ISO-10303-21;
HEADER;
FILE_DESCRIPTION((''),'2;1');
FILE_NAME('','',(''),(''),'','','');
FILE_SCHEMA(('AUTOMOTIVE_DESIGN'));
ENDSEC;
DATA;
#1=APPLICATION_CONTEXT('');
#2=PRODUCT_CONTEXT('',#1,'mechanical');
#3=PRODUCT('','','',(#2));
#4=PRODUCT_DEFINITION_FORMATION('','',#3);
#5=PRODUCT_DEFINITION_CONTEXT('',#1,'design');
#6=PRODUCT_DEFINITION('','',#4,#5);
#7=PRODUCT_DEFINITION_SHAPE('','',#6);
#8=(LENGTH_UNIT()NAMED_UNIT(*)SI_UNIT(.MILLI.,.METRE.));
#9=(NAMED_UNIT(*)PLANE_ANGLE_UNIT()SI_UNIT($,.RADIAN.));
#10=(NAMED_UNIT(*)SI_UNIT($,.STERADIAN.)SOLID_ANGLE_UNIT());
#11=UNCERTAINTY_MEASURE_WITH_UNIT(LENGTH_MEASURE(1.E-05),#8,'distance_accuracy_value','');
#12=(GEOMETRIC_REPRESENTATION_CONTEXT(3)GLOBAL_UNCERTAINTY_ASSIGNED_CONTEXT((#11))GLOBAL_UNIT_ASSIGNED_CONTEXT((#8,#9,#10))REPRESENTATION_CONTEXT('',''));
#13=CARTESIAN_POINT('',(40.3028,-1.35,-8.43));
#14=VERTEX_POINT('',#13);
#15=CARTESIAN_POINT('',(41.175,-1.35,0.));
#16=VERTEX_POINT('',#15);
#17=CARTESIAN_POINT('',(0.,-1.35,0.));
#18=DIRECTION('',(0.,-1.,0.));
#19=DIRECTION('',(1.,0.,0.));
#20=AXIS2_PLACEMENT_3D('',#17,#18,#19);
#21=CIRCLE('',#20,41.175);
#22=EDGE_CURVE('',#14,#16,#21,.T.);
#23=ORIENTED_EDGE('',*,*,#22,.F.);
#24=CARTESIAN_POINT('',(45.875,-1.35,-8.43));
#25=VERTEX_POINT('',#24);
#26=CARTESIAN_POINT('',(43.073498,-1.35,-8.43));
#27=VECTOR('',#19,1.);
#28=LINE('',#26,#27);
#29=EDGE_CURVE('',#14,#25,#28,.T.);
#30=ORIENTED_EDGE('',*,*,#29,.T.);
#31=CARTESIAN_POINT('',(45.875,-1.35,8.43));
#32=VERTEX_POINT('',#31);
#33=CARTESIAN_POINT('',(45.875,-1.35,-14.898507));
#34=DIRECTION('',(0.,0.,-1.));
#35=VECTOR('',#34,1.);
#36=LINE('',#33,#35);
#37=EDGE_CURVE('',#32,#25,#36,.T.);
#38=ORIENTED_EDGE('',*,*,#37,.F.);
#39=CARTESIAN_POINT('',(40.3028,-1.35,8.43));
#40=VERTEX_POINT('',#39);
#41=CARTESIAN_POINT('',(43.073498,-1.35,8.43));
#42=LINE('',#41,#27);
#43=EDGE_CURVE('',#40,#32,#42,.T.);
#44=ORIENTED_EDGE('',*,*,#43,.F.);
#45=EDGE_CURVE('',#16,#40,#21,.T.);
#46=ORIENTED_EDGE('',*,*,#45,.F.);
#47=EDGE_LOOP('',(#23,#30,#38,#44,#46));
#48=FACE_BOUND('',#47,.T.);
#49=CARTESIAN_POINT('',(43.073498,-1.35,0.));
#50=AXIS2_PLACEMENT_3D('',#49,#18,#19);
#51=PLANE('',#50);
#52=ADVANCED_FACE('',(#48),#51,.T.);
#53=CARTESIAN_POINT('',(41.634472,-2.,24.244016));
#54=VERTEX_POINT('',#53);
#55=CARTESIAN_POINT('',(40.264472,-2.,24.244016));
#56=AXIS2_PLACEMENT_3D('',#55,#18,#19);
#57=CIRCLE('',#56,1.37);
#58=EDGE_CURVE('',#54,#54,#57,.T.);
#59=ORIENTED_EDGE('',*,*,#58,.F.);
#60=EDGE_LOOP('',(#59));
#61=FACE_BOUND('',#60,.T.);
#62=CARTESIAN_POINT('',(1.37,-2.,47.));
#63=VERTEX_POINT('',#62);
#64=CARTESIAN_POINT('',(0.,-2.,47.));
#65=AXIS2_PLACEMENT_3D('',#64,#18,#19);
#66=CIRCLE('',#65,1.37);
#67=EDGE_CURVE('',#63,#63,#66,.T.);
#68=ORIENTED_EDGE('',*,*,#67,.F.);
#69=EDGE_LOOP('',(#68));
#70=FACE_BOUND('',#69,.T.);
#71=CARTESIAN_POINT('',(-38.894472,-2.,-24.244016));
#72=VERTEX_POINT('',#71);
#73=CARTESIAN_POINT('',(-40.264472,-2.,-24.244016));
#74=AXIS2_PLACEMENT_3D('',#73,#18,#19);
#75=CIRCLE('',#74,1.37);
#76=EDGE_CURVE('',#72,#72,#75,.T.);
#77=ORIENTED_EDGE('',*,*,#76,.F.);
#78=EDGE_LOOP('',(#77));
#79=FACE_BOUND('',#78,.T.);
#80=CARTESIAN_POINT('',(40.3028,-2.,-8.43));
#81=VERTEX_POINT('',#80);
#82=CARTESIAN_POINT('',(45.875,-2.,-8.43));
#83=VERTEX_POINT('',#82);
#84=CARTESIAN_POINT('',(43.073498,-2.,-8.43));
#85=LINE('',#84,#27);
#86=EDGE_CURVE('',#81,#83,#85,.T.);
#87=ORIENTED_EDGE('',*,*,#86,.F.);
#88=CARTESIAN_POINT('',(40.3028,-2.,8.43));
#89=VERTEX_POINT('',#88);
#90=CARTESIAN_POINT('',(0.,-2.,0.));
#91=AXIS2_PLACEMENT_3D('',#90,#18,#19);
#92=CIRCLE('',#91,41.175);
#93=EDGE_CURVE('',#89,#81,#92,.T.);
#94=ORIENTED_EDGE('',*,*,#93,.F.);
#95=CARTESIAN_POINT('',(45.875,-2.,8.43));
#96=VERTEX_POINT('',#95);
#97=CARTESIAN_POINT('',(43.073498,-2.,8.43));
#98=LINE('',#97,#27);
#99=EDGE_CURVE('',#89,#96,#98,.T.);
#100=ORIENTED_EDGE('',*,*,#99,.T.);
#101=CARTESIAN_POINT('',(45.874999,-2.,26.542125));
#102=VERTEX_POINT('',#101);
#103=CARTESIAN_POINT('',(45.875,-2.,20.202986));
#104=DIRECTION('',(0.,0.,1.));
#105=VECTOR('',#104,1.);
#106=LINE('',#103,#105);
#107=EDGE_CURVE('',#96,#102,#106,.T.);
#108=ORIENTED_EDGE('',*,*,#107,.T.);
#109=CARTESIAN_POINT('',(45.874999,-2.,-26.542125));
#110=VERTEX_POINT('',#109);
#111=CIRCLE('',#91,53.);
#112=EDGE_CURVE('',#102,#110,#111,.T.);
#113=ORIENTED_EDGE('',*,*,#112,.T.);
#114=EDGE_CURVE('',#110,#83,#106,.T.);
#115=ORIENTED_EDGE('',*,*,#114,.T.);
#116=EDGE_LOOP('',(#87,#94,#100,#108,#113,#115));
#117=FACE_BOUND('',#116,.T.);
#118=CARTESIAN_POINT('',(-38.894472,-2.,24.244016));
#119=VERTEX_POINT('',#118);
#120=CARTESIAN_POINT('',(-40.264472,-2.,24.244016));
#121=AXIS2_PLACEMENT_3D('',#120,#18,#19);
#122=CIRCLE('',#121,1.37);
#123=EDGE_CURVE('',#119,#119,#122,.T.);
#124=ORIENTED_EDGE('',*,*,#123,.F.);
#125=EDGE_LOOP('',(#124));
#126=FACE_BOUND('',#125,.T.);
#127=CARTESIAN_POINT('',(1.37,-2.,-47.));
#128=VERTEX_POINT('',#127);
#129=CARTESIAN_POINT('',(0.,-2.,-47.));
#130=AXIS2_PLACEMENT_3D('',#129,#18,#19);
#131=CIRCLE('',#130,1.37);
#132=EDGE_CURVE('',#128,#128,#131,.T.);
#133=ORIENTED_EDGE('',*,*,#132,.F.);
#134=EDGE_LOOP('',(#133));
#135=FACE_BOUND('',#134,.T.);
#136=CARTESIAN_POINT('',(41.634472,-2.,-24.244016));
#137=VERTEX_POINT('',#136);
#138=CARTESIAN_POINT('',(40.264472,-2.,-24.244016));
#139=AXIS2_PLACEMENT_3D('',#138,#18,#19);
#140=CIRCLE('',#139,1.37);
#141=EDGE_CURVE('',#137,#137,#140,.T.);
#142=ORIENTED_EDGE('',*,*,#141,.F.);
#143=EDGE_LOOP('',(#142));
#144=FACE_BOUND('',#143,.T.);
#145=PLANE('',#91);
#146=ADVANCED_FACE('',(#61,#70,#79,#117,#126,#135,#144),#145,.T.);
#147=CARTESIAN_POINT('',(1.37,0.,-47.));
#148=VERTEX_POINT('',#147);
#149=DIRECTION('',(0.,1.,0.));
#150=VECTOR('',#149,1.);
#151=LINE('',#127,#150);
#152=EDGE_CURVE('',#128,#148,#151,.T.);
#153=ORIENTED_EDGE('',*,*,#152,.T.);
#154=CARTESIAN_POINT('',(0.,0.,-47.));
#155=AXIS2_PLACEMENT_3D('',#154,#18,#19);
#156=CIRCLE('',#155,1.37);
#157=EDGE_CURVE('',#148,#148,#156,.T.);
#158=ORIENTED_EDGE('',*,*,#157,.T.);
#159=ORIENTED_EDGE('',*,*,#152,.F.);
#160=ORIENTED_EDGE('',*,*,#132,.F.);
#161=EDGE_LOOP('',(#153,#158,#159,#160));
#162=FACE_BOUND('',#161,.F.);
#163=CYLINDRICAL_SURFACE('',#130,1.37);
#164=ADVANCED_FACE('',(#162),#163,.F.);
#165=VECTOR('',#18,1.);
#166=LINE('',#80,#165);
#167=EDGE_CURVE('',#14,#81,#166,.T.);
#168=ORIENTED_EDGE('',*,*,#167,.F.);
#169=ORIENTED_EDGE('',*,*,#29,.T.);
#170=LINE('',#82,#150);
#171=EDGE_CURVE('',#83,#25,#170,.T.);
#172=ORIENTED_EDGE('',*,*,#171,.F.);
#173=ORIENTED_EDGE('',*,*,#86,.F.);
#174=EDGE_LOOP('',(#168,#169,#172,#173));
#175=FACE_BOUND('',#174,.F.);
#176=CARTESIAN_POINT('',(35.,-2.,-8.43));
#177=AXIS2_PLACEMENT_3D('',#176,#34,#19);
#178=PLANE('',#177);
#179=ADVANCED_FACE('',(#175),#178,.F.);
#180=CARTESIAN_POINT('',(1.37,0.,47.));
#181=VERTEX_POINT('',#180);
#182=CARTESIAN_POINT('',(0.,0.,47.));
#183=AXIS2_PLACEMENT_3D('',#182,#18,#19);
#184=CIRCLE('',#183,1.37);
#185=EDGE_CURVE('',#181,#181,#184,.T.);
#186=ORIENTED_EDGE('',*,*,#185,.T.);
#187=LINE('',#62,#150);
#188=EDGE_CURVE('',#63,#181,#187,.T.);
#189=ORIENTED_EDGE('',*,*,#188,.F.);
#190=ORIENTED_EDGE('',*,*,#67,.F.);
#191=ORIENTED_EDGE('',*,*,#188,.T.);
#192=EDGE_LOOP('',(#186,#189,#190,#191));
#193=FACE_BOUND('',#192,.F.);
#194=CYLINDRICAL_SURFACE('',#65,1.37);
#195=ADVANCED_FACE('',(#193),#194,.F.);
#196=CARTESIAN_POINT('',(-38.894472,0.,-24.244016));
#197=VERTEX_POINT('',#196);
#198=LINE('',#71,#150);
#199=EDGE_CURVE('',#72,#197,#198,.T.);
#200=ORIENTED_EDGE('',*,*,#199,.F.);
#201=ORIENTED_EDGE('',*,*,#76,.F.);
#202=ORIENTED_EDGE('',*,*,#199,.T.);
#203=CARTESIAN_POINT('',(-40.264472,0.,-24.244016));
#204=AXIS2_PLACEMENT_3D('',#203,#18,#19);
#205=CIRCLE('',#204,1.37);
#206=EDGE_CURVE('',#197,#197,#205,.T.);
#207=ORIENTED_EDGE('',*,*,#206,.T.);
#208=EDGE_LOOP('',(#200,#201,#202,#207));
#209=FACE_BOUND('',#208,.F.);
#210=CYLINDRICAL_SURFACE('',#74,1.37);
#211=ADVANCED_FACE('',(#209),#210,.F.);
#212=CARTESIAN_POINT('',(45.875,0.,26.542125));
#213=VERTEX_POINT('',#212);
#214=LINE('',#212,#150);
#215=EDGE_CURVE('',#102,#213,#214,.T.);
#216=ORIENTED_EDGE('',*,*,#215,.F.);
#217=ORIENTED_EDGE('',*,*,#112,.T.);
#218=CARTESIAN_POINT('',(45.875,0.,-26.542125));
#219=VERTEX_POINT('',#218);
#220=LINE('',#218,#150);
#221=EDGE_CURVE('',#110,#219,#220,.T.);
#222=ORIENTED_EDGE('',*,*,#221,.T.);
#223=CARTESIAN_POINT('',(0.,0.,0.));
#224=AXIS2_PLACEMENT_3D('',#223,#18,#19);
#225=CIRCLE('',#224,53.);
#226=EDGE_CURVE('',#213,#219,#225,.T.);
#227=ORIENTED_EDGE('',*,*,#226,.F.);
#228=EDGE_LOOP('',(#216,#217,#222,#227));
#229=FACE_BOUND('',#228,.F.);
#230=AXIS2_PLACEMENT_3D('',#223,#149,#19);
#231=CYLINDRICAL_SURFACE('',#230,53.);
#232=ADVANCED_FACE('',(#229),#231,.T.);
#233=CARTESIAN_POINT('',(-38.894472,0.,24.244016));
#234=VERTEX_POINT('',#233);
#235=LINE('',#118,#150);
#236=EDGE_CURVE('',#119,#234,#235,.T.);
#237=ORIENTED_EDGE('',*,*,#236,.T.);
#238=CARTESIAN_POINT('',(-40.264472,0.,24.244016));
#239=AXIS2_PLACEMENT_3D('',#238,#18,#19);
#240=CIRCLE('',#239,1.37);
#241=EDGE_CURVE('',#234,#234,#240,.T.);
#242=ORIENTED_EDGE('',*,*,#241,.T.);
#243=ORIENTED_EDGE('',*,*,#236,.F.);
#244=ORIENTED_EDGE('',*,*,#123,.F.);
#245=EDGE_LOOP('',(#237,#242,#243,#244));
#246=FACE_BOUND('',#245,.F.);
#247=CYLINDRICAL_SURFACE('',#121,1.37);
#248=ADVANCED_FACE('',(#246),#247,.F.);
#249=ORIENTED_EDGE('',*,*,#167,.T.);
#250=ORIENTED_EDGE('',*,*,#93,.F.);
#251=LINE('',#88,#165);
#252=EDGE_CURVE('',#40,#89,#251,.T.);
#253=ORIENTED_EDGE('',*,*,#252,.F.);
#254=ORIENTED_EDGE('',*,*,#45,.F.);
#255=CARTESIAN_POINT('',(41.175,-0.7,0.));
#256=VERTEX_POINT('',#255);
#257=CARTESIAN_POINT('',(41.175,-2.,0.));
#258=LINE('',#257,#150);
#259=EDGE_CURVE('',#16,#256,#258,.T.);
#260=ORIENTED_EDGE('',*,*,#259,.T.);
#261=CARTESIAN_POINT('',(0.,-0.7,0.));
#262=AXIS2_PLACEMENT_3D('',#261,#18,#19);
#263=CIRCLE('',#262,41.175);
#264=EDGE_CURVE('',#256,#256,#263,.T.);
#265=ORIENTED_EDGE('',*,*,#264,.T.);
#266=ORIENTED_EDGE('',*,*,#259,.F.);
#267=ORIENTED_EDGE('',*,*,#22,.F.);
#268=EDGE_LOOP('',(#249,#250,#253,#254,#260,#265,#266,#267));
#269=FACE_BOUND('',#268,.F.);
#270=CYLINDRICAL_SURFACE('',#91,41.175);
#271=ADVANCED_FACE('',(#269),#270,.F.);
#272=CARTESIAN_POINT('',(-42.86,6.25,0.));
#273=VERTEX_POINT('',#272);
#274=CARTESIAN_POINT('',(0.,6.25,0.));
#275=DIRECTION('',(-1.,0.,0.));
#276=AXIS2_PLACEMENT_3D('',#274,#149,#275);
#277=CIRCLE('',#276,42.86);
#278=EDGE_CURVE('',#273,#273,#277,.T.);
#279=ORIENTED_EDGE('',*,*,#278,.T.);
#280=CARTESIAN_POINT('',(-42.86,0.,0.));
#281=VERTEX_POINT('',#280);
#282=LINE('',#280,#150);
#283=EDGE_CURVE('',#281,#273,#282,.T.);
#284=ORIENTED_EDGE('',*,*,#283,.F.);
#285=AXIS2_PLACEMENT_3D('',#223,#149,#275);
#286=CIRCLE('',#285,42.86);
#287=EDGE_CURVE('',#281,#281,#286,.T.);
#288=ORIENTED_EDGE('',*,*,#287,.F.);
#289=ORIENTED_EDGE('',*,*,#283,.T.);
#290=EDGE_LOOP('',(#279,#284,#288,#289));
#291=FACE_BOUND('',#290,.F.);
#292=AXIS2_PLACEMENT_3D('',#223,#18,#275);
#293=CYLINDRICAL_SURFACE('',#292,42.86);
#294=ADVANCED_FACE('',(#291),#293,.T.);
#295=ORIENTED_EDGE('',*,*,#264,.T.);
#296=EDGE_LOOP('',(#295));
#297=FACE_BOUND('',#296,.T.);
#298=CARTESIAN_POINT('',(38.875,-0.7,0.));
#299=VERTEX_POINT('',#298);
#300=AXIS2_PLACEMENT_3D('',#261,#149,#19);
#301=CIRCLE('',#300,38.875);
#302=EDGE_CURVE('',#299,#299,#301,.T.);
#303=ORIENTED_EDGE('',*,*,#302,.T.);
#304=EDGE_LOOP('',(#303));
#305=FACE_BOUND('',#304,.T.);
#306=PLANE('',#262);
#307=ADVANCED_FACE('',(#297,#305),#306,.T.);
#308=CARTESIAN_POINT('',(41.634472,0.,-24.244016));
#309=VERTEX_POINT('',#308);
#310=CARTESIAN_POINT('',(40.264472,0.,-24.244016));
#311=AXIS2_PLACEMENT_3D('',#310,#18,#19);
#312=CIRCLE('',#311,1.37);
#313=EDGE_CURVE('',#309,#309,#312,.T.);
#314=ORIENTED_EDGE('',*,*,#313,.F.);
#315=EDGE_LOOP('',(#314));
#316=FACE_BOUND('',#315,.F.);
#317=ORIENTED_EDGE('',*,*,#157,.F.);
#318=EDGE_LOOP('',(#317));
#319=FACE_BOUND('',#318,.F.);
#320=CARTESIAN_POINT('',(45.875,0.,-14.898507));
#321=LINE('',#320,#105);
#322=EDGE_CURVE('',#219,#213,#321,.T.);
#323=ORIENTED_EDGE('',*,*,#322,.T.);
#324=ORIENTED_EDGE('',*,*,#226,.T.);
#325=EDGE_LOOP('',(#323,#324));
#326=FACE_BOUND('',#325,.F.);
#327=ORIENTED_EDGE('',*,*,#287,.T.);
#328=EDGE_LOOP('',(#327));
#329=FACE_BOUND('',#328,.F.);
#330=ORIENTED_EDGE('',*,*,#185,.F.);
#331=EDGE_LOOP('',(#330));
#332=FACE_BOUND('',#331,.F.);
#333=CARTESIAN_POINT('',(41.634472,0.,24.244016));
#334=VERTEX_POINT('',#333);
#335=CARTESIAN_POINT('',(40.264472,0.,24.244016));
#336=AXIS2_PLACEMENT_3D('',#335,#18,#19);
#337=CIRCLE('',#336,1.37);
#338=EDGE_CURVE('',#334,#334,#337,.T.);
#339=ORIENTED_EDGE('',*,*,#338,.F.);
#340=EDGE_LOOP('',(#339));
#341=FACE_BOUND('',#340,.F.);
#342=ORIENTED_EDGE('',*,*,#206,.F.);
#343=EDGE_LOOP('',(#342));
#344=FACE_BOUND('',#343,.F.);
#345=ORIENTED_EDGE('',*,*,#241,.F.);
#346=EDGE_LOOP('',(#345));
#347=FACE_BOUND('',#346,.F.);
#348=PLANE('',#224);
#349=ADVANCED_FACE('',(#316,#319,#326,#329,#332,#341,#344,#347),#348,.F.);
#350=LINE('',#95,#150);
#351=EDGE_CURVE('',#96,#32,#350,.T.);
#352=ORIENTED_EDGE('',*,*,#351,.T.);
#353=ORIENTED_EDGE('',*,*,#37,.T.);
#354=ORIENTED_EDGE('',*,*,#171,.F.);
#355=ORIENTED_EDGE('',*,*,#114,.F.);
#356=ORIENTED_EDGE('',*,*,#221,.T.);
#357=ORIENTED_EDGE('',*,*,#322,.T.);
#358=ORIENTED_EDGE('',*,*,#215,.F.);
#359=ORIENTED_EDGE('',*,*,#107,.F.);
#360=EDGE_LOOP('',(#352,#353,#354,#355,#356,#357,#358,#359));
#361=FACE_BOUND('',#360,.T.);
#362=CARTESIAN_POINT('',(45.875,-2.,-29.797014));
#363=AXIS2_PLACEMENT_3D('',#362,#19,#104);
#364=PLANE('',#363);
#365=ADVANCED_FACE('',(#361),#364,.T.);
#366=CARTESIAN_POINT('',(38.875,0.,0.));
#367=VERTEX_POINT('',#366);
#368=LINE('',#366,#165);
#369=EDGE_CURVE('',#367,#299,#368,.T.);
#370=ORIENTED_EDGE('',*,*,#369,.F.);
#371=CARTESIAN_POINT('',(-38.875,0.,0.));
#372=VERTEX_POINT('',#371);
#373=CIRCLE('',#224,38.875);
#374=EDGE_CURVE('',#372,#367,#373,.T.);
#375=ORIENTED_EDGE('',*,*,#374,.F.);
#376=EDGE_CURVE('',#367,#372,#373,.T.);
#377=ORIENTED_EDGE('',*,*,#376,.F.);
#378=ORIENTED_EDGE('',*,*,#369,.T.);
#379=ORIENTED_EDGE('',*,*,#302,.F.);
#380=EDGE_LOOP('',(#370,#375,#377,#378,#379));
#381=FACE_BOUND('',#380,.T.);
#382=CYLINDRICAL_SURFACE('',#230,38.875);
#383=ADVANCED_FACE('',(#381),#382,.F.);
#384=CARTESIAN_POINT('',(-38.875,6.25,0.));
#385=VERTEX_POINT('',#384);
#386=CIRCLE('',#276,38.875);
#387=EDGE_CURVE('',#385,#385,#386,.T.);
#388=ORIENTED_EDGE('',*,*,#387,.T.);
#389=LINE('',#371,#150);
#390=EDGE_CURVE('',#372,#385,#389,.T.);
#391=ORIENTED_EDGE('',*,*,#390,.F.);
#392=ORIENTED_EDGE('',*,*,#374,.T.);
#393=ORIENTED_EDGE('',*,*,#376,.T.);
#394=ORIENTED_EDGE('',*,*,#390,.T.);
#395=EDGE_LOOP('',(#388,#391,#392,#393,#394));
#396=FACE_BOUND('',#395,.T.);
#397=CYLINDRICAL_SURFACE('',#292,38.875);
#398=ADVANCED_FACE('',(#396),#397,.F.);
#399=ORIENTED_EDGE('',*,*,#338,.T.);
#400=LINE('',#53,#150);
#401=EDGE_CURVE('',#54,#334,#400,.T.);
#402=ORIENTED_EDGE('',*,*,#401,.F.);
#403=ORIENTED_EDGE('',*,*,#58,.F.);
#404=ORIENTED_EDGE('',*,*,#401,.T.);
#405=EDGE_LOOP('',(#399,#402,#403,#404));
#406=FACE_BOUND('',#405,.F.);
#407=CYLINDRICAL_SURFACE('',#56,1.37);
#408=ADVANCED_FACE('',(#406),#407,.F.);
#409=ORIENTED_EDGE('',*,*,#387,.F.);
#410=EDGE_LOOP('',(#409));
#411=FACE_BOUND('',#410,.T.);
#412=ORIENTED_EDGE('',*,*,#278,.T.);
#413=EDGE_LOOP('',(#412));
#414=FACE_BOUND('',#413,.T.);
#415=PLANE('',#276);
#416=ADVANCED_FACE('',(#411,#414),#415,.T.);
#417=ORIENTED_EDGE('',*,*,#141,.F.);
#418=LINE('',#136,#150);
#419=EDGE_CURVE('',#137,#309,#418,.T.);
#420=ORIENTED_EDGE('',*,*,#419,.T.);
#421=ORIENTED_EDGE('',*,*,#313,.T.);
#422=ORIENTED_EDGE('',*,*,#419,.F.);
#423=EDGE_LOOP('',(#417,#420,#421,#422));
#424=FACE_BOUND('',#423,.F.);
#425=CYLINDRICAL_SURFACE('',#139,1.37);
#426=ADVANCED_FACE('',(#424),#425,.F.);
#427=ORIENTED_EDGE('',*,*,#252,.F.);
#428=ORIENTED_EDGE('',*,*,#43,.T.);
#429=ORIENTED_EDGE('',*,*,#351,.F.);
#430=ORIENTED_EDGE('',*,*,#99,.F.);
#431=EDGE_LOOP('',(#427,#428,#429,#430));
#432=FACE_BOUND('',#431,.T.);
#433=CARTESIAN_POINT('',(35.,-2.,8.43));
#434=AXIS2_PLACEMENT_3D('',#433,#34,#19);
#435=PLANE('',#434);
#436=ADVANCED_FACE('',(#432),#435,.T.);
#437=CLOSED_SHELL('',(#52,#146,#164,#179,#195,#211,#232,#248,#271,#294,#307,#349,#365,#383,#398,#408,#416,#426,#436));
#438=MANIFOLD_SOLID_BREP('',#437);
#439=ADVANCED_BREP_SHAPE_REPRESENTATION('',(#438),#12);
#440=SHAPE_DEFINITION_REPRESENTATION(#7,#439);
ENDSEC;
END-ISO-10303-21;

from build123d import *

# Parameters (mm, degrees)
F0_R      = 53
F0_R_2    = 38.875
F1_DEPTH  = 2
F2_W      = 15.987269
F2_H      = 100
F3_DEPTH  = 25
F4_R      = 41.175
F5_DEPTH  = 1.3
F6_R      = 42.86
F6_R_2    = 38.875
F7_DEPTH  = 6.25
F8_R      = 1.37
F9_DEPTH  = 25
F10_W     = 16.146997
F10_H     = 16.86
F11_DEPTH = 0.65


with BuildPart() as f1:
    # F0 (on Front) → F1 (new body)
    with BuildSketch(Plane.XZ):
        Circle(F0_R)
        Circle(F0_R_2, mode=Mode.SUBTRACT)
    extrude(amount=F1_DEPTH)

    # F2 (on face) → F3 (cut)
    with BuildSketch(Plane.XZ.offset(2)):
        with Locations((53.868634, 20.202986)):
            Rectangle(F2_W, F2_H)
    extrude(amount=-F3_DEPTH, mode=Mode.SUBTRACT)

    # F4 (on face) → F5 (cut)
    with BuildSketch(Plane.XZ.offset(2)):
        Circle(F4_R)
    extrude(amount=-F5_DEPTH, mode=Mode.SUBTRACT)

    # F6 (on face) → F7 (join)
    with BuildSketch(Plane(origin=(0, 0, 0), x_dir=(-1, 0, 0), z_dir=(0, 1, 0))):
        Circle(F6_R)
        Circle(F6_R_2, mode=Mode.SUBTRACT)
    extrude(amount=F7_DEPTH)

    # F8 (on face) → F9 (cut)
    with BuildSketch(Plane.XZ.offset(2)):
        with Locations((0, 47)):
            Circle(F8_R)
        with Locations((0, -47)):
            Circle(F8_R)
        with Locations((40.264472, 24.244016)):
            Circle(F8_R)
        with Locations((-40.264472, 24.244016)):
            Circle(F8_R)
        with Locations((-40.264472, -24.244016)):
            Circle(F8_R)
        with Locations((40.264472, -24.244016)):
            Circle(F8_R)
    extrude(amount=-F9_DEPTH, mode=Mode.SUBTRACT)

    # F10 (on face) → F11 (cut)
    with BuildSketch(Plane.XZ.offset(2)):
        with Locations((43.073498, 0)):
            Rectangle(F10_W, F10_H)
    extrude(amount=-F11_DEPTH, mode=Mode.SUBTRACT)


solid = f1.part
